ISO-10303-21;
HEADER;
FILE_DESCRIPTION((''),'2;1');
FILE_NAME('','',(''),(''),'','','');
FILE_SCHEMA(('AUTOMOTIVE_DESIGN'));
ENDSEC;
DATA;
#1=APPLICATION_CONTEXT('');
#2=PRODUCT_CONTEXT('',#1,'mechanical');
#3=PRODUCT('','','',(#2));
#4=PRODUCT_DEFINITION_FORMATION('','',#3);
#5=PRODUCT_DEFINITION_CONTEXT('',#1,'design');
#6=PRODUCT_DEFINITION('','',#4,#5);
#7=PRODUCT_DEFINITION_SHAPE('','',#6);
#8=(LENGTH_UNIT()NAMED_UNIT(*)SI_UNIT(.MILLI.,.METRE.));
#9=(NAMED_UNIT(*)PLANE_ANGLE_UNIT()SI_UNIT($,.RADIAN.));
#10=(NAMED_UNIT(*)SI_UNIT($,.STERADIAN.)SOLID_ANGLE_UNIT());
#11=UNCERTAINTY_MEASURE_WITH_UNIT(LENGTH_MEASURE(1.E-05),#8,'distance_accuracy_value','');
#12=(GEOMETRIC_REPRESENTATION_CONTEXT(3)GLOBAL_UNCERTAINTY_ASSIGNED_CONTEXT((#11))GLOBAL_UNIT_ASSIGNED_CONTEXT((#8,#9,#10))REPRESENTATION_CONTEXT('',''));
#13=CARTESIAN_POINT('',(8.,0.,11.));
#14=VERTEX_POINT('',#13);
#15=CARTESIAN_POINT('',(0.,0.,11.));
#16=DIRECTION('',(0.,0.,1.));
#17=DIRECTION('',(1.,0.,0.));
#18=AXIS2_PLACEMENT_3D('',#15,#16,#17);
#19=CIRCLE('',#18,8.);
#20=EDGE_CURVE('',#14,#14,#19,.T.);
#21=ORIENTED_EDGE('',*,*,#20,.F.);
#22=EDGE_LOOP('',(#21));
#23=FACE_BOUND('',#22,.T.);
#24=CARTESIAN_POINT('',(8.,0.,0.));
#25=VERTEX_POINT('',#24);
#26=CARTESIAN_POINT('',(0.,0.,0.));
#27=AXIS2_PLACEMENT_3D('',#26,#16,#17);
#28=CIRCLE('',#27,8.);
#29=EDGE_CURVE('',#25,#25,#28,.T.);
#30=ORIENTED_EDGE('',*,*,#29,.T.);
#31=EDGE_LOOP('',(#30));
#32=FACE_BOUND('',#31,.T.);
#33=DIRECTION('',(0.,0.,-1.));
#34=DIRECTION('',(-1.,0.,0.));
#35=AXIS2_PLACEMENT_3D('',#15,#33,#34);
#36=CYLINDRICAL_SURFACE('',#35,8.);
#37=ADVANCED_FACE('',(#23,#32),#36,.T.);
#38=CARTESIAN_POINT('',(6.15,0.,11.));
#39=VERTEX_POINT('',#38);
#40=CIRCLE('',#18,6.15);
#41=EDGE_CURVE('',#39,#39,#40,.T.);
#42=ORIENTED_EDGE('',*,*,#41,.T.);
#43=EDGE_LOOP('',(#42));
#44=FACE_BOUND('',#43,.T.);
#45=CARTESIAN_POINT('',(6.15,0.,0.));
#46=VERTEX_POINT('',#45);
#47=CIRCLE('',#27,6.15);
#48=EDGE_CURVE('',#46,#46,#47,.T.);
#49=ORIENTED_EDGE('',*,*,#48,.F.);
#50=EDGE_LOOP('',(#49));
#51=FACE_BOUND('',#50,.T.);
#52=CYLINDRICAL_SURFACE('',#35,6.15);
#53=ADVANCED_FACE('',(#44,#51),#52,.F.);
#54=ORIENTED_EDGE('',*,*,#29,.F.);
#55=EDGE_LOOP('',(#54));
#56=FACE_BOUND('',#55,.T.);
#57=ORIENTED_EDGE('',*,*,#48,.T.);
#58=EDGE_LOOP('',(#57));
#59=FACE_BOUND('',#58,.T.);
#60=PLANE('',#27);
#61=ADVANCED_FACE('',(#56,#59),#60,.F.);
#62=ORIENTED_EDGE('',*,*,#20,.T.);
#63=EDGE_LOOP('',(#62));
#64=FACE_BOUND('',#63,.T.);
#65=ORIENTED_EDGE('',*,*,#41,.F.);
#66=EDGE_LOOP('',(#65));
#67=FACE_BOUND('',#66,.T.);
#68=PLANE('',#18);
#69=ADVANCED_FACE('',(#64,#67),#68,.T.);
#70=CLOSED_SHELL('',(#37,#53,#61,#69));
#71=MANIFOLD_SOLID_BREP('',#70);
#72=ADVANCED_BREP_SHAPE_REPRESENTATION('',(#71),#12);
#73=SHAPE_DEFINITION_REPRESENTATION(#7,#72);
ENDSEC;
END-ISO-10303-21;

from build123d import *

# Parameters (mm, degrees)
S01_HARDENED_SIXTEEN_MILLIMETRE_RUNNIN_R       = 8
S01_HARDENED_SIXTEEN_MILLIMETRE_RUNNIN_R_2     = 6.15
F_01_HARDENED_SIXTEEN_MILLIMETRE_RUNNING_DEPTH = 11


with BuildPart() as part:
    # S01 - Hardened sixteen millimetre running surface → 01 - Hardened sixteen millimetre running surface (new body)
    with BuildSketch(Plane.XY):
        Circle(S01_HARDENED_SIXTEEN_MILLIMETRE_RUNNIN_R)
        Circle(S01_HARDENED_SIXTEEN_MILLIMETRE_RUNNIN_R_2, mode=Mode.SUBTRACT)
    extrude(amount=F_01_HARDENED_SIXTEEN_MILLIMETRE_RUNNING_DEPTH)


solid = part.part
